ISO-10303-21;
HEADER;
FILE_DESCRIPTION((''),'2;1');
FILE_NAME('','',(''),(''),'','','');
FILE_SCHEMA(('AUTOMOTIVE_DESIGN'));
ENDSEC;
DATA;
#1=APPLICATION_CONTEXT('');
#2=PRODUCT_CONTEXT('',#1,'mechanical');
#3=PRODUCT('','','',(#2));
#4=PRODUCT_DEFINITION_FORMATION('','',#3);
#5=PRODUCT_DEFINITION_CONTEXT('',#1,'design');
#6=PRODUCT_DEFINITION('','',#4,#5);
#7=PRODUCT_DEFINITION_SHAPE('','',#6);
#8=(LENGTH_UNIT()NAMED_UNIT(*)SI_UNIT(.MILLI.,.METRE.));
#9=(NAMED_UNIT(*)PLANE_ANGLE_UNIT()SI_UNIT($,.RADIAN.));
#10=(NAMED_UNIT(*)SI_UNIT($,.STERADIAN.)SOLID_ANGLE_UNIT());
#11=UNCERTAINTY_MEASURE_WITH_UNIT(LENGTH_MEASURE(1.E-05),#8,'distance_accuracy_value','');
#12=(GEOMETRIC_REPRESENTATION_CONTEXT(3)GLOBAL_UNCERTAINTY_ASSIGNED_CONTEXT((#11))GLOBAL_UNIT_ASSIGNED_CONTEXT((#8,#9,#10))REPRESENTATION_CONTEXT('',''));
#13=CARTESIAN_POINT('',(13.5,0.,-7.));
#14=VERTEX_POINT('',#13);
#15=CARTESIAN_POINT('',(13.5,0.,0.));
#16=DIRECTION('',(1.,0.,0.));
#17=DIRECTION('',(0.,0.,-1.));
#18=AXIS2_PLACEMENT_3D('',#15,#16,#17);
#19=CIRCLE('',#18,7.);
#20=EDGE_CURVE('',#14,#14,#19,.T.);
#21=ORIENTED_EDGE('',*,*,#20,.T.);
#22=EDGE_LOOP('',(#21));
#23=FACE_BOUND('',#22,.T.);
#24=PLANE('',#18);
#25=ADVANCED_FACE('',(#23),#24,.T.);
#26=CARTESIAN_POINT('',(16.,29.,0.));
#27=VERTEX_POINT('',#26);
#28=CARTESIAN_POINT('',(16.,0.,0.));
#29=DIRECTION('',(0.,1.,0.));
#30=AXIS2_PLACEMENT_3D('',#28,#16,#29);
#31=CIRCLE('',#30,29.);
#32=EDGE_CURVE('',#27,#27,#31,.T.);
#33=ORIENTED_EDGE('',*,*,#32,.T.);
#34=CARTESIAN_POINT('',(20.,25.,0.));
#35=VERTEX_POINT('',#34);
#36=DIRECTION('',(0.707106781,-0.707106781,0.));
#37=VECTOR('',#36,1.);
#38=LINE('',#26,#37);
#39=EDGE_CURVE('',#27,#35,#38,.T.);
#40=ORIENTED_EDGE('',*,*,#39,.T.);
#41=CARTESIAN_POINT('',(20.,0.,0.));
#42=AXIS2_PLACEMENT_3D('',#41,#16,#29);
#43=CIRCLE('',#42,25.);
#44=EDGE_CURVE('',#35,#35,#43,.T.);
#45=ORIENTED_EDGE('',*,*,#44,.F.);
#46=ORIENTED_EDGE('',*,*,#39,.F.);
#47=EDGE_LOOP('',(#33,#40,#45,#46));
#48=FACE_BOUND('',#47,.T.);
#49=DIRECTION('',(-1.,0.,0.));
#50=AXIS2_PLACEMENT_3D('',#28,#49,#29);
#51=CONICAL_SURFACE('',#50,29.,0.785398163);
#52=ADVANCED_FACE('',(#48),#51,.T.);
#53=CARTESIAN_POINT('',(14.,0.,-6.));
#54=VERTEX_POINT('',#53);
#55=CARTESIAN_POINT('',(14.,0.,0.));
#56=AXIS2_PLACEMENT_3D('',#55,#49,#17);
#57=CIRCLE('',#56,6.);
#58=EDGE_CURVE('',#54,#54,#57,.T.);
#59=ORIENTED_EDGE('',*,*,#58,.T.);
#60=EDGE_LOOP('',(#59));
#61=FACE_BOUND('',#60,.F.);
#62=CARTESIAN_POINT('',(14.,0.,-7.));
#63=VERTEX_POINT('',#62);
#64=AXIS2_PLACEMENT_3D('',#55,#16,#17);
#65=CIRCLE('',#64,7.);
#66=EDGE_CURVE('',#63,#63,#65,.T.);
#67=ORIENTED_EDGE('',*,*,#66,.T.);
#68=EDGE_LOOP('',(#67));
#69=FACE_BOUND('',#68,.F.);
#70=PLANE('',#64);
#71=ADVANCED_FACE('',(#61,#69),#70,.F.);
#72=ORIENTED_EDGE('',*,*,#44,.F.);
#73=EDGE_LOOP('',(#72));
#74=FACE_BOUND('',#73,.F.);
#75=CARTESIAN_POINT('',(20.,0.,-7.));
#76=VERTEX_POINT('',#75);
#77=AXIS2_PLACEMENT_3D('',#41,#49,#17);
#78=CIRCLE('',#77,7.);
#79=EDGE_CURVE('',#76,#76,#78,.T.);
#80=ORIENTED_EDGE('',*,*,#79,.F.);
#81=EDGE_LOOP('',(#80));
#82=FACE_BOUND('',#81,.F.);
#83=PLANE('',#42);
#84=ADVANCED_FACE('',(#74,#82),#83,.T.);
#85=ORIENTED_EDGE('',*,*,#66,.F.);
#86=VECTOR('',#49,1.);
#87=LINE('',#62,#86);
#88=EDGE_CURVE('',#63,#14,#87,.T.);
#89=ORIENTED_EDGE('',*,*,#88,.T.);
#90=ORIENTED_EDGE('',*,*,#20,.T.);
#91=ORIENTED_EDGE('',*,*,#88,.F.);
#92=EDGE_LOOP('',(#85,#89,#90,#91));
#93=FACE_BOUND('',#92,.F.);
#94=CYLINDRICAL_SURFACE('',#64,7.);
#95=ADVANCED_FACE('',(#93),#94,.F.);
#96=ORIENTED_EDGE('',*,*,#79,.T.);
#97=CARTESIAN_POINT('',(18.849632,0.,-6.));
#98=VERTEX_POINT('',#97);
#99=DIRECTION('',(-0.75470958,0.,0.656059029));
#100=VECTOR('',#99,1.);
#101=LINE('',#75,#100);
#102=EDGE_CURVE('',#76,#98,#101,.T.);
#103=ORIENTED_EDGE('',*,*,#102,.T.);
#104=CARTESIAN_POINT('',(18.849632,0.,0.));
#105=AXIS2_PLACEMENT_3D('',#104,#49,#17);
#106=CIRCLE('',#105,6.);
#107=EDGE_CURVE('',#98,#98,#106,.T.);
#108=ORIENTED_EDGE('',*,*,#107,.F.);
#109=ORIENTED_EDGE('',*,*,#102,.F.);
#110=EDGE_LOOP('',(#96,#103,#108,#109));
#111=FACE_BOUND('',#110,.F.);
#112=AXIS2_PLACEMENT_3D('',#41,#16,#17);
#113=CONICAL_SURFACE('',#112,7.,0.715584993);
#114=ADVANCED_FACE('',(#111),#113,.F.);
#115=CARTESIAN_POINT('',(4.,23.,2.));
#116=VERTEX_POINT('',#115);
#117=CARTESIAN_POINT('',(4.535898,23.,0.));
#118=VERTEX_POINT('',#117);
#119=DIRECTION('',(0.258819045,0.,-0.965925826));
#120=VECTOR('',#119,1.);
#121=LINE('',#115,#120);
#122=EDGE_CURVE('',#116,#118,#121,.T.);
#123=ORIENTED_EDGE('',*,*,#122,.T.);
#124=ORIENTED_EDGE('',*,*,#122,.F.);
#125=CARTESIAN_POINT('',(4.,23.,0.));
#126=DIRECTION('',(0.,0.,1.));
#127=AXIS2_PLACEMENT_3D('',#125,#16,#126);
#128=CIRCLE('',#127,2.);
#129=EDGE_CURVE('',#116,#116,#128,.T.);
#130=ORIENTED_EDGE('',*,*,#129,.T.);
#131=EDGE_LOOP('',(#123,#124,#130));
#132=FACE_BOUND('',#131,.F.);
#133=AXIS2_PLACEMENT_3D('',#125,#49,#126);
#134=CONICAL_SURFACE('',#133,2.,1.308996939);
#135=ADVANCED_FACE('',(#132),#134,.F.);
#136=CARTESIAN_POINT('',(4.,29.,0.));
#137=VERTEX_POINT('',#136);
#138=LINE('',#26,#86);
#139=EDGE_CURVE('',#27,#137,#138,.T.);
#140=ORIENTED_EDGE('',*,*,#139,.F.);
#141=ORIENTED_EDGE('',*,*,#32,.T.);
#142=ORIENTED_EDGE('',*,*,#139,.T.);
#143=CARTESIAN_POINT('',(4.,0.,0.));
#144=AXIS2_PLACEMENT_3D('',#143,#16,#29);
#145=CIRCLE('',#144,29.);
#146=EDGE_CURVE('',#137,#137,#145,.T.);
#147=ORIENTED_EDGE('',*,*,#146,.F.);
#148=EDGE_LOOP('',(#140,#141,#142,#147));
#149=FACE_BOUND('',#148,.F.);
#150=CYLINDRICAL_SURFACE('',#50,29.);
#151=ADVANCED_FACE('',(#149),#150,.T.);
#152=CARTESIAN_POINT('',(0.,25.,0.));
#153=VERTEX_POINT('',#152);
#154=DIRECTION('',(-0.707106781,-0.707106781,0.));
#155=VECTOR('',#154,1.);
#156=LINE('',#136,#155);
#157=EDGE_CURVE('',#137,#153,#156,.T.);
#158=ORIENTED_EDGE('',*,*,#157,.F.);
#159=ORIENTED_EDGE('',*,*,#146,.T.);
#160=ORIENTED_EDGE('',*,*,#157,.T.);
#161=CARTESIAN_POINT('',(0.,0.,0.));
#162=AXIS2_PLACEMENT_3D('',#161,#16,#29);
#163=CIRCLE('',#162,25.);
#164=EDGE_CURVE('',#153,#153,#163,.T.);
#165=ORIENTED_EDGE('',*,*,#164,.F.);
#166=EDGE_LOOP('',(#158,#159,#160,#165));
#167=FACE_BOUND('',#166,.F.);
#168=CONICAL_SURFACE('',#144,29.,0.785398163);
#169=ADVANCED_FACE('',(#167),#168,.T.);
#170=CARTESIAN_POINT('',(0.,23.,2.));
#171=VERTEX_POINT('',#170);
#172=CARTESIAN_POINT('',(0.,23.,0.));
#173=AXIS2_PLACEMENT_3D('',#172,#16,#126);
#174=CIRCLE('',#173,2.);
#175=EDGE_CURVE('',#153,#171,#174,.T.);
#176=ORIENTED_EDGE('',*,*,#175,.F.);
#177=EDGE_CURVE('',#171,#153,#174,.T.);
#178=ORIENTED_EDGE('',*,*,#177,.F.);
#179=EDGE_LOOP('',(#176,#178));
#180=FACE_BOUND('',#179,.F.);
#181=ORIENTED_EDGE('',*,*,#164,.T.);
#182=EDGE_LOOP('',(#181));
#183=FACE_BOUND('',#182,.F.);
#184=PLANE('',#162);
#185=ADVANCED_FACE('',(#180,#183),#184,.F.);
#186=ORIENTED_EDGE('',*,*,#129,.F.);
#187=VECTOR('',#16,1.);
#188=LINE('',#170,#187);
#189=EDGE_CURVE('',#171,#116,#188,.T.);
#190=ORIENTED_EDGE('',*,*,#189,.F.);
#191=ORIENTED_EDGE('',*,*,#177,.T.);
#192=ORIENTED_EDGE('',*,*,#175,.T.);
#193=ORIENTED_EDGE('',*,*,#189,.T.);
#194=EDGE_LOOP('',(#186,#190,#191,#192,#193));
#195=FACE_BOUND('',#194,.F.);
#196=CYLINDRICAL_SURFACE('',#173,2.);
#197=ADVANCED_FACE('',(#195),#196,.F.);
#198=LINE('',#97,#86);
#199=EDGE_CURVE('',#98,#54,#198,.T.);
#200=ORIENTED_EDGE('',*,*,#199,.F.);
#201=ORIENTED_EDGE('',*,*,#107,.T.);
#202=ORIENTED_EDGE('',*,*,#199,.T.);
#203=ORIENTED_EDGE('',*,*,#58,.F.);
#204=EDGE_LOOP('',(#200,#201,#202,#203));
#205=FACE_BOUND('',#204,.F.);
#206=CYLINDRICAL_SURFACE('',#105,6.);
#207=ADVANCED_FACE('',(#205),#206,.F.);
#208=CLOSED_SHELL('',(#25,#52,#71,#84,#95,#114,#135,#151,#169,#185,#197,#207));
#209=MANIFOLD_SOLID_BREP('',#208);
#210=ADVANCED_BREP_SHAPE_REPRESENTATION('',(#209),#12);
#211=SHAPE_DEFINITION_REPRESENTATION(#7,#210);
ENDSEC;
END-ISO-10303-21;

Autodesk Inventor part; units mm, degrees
ref_plane "YZ Plane" through (0, 0, 0) normal (1, 0, 0) x (0, 1, 0)
ref_plane "XZ Plane" through (0, 0, 0) normal (0, 1, 0) x (-1, 0, 0)
ref_plane "XY Plane" through (0, 0, 0) normal (0, 0, 1) x (1, 0, 0)
sketch "Эскиз5" plane through (0, 0, 0) normal (0, 0, 1) x (1, 0, 0)
  line L0 (0, 0) -> (20, 0)
  line L1 (20, 0) -> (20, 25)
  line L2 (16, 29) -> (4, 29)
  line L3 (0, 25) -> (0, 0)
  line L4 (4, 29) -> (0, 25)
  line L5 (16, 29) -> (20, 25)
  point P0 (20, 29)
  point P1 (0, 29)
  dimension "d33" = 20
  dimension "d34" = 29
  dimension "d35" = 4
  dimension "d36" = 4
  dimension "d37" = 4
  dimension "d38" = 4
revolve "Вращение3" add sketch "Эскиз5" angle 360 about axis through (0, 0, 0) along (1, 0, 0)
sketch "Эскиз6" plane through (0, 0, 0) normal (-1, 0, 0) x (0, 0, 1)
  line L0 (0, 0) -> (0, 23) construction
  dimension "d40" = 23
hole "Отверстие3" at (0, 23, 0) direction (1, 0, 0) diameter 4 depth 4 tip angle 150
sketch "Эскиз7" plane through (20, 0, 0) normal (1, 0, 0) x (0, 0, -1)
  point P0 (0, 0)
  point P1 (0, 0)
hole "Отверстие4" at (20, 0, 0) direction (-1, 0, 0) diameter 12 depth 6 countersink diameter 14 countersink angle 82
sketch "Эскиз8" plane through (14, 0, 0) normal (1, 0, 0) x (0, 0, -1)
  circle A0 centre (0, 0) radius 7
  dimension "d55" = 14
extrude "Выдавливание1" cut sketch "Эскиз8" against normal blind 0.5
thread "Резьба4" size "M12x1.75" class "6H" standard "ANSI Metric M Profile" full length
equation "\"d36\" = d35"
equation "\"d37\" = d35"
equation "\"d38\" = d37"
properties part number "711132"
